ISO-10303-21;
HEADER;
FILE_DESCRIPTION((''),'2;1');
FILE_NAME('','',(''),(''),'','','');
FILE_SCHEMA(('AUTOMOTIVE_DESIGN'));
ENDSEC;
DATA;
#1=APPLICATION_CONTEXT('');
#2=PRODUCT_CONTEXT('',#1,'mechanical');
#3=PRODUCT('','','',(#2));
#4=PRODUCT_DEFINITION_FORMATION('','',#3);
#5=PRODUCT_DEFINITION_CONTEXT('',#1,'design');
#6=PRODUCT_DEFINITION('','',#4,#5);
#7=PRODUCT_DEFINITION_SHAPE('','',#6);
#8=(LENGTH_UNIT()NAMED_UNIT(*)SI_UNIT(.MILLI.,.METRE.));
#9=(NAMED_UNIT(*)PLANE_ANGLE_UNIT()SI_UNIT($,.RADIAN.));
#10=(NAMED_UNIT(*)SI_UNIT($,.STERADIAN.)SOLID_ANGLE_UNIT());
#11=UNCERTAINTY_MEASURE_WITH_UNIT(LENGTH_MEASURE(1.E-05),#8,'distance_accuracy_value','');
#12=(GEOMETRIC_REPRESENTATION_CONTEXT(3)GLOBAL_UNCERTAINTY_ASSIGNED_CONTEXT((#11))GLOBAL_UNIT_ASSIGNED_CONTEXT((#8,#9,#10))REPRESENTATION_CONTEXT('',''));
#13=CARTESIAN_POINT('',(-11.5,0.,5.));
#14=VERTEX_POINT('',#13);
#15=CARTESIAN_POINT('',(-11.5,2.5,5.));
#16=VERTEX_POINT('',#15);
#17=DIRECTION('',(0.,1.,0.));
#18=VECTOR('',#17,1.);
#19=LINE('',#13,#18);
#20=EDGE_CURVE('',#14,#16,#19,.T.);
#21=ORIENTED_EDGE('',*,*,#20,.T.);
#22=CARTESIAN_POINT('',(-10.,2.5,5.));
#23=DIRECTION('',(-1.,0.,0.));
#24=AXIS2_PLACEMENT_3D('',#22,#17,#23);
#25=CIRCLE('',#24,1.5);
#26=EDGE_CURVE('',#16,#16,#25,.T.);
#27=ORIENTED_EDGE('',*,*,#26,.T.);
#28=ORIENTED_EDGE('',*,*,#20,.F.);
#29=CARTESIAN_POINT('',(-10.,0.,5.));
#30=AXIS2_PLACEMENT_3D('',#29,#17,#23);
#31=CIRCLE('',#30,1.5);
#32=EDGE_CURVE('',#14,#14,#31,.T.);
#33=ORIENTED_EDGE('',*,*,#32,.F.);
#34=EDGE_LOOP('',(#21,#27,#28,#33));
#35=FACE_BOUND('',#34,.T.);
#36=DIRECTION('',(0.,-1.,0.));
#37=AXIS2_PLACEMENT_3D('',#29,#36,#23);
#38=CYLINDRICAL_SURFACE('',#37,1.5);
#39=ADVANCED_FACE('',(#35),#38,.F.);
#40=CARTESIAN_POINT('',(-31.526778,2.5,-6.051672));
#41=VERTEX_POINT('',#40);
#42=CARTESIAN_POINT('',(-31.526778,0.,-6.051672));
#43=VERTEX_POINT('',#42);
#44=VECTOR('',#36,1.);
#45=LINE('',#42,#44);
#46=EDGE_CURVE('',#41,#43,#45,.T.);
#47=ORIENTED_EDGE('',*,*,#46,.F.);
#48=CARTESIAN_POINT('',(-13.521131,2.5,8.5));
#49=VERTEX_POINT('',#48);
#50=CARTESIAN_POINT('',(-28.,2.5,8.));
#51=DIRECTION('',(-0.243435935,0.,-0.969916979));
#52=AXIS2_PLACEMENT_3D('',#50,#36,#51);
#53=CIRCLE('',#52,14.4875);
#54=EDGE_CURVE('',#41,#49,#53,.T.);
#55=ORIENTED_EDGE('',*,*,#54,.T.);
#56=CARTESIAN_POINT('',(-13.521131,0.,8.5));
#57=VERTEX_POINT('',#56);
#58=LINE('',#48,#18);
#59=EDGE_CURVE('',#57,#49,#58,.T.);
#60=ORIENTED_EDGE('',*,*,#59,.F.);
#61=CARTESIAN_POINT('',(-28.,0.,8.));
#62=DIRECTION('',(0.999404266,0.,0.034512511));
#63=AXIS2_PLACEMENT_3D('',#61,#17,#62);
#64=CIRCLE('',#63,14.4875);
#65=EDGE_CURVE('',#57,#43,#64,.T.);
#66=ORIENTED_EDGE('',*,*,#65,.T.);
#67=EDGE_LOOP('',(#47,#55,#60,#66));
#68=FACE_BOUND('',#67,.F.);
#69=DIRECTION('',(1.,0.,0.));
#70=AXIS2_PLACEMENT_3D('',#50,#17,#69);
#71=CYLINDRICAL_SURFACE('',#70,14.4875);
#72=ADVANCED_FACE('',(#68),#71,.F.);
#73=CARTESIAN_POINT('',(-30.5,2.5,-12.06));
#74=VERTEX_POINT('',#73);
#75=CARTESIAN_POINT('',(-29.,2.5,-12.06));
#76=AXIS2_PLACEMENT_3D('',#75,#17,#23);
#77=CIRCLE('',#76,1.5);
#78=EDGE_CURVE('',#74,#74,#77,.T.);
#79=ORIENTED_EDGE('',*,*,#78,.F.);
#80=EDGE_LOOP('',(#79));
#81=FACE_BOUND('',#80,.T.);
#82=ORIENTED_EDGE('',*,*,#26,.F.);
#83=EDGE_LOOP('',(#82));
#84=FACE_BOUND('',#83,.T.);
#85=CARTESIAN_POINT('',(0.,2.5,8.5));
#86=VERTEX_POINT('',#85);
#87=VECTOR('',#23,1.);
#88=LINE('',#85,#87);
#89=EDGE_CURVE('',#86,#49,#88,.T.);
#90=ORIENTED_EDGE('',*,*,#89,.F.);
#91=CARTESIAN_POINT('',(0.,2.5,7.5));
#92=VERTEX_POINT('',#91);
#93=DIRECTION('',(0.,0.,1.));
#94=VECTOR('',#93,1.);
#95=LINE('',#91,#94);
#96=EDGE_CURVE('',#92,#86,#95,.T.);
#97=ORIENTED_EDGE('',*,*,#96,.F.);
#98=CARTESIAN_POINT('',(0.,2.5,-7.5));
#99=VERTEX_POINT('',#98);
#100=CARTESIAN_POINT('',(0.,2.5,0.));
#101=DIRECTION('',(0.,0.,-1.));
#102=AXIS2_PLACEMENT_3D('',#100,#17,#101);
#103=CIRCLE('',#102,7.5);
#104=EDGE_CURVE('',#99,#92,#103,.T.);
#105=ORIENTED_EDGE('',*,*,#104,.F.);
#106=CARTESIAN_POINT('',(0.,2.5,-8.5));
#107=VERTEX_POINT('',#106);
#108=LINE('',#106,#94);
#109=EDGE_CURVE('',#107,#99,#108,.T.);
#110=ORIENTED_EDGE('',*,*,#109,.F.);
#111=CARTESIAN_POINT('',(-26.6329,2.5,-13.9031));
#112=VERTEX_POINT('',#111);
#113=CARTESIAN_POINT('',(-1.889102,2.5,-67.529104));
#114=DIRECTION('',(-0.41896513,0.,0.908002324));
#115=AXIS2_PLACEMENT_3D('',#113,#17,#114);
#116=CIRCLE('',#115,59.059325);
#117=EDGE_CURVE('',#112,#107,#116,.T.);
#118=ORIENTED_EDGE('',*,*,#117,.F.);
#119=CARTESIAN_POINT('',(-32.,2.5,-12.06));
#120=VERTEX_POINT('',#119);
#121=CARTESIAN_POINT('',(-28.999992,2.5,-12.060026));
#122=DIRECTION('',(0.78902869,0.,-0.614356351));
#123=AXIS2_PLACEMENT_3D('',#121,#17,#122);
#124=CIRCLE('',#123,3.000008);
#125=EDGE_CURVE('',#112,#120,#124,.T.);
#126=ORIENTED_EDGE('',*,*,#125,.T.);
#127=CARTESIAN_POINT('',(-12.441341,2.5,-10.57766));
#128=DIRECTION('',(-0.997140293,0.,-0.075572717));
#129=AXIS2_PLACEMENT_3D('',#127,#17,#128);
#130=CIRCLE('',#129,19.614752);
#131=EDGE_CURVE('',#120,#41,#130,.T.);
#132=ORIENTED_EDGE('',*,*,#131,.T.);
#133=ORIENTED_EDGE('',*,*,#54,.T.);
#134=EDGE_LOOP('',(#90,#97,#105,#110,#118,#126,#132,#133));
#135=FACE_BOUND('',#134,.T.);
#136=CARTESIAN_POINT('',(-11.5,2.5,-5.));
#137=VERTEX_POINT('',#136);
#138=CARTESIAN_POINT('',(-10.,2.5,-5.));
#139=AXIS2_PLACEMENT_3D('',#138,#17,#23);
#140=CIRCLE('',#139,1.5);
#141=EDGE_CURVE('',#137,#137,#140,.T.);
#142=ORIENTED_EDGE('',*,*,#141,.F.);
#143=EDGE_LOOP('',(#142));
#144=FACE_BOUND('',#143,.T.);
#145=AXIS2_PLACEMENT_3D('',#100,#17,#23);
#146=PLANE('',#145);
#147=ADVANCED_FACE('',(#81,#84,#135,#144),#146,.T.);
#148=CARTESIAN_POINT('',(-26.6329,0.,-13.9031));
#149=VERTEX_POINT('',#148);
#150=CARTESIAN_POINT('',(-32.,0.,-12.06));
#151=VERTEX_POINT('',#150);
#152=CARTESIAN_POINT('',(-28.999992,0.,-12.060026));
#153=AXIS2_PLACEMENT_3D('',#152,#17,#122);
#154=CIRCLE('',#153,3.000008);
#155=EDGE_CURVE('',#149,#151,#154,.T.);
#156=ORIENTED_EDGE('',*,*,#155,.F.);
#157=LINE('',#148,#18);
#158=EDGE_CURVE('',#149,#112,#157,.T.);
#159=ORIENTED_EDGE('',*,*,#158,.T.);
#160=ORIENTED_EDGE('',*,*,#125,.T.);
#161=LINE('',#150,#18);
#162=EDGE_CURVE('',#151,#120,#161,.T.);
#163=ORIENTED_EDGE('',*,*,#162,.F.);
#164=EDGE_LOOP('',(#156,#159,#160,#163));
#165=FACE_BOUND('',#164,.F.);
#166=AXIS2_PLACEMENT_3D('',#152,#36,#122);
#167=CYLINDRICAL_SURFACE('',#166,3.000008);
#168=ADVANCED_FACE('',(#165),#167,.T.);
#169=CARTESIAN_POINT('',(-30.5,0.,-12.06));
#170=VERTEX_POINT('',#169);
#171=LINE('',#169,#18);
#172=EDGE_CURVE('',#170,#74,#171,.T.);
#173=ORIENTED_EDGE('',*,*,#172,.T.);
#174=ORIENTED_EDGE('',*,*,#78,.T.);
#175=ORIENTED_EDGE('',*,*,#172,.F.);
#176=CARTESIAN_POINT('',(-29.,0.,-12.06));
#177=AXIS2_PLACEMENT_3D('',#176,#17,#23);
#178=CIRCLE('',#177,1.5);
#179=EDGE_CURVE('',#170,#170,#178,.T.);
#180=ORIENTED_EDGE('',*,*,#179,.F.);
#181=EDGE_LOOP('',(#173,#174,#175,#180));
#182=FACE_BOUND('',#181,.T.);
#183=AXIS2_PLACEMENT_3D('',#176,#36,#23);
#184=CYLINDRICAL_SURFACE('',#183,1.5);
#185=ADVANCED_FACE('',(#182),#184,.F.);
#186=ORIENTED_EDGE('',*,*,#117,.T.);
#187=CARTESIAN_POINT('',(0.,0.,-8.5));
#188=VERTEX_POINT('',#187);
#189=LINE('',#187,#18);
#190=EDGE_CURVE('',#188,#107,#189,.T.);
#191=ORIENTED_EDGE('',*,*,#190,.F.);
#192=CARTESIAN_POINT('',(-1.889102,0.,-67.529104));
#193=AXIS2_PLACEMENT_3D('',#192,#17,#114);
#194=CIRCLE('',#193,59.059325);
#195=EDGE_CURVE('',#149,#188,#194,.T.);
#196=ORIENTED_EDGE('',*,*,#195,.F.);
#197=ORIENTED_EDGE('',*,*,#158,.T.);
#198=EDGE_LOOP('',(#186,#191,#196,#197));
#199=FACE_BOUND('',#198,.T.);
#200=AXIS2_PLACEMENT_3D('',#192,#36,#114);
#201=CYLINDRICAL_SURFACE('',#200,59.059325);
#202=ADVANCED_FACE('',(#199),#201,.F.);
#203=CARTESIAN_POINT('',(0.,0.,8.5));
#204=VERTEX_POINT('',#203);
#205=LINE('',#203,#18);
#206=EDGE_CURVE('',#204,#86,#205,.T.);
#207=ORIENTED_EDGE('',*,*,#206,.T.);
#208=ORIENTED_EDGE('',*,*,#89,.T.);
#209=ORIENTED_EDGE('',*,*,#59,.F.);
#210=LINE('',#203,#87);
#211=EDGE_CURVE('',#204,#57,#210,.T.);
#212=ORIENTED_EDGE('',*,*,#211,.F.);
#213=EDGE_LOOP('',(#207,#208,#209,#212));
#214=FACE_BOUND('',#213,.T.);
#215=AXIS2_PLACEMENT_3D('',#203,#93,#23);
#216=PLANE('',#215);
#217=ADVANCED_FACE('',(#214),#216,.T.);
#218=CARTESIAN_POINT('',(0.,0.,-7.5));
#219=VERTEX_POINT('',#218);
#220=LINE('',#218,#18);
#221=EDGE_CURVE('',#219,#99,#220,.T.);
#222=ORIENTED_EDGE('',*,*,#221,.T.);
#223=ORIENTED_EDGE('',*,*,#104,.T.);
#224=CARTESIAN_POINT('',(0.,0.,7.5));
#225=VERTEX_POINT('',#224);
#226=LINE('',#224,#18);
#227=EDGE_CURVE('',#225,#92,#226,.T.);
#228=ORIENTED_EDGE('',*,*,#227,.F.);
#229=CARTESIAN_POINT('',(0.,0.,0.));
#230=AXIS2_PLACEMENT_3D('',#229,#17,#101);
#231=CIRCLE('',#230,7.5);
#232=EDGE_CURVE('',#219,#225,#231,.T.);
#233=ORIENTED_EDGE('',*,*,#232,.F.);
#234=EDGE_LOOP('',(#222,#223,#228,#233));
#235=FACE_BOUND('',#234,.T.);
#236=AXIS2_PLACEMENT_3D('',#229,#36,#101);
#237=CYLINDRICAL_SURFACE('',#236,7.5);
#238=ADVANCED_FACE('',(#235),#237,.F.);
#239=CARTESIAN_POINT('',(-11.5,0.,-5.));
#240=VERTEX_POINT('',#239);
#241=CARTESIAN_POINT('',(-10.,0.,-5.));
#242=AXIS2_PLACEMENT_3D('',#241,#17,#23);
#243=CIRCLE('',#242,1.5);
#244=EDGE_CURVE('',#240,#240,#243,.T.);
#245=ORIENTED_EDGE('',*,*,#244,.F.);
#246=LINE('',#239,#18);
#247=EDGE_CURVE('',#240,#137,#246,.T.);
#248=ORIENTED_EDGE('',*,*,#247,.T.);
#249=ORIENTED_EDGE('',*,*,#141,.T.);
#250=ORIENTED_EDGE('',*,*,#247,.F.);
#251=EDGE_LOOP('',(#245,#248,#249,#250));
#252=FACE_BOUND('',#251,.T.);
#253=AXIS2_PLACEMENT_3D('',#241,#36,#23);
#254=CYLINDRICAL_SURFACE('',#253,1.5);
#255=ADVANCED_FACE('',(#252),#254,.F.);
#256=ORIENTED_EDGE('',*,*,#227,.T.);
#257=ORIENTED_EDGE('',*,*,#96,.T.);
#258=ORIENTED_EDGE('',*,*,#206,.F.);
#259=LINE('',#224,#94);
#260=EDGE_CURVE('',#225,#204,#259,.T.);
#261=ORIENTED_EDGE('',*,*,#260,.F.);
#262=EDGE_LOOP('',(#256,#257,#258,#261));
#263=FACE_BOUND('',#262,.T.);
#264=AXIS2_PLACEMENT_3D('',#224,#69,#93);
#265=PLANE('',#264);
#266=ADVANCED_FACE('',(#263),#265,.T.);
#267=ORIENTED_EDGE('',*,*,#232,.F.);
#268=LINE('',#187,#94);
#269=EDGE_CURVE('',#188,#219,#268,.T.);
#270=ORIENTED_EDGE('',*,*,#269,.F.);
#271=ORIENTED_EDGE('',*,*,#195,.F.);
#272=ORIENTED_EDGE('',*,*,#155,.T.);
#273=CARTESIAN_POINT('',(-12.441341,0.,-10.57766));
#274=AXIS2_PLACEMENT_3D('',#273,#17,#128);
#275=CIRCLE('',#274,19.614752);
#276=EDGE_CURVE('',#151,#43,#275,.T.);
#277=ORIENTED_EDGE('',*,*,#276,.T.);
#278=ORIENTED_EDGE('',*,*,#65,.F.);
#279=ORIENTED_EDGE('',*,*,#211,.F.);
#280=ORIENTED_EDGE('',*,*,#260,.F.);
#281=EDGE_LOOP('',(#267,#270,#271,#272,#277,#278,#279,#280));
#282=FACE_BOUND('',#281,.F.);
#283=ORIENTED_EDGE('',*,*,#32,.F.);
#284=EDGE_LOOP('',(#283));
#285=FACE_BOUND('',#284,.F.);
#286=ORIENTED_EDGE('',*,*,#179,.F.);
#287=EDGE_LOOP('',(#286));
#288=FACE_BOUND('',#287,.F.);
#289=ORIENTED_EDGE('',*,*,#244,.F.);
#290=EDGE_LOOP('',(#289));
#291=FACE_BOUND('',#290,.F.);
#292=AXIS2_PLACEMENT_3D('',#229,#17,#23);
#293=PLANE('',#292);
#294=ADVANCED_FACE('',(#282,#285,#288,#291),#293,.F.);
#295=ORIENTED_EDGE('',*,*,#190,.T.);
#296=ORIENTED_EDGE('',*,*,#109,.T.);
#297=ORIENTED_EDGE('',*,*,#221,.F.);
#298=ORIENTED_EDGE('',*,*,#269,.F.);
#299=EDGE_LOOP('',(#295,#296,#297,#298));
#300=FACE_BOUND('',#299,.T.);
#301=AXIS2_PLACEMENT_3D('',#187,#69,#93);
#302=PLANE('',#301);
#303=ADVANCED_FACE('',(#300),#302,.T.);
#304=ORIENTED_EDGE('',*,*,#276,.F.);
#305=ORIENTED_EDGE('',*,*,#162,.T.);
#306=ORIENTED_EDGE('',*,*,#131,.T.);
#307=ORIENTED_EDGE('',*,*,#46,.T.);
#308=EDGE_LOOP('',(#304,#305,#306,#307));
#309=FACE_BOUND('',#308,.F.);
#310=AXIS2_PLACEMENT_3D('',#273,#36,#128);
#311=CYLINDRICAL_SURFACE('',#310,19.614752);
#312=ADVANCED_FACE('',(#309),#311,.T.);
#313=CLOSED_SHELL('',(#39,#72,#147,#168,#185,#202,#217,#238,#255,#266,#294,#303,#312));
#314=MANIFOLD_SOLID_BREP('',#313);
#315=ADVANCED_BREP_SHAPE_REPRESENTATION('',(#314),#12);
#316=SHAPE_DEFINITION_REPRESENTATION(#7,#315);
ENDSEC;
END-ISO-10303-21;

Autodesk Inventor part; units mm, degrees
ref_plane "YZ Plane" through (0, 0, 0) normal (1, 0, 0) x (0, 1, 0)
ref_plane "XZ Plane" through (0, 0, 0) normal (0, 1, 0) x (-1, 0, 0)
ref_plane "XY Plane" through (0, 0, 0) normal (0, 0, 1) x (1, 0, 0)
sketch "Sketch1" plane through (0, 0, 0) normal (0, 1, 0) x (-1, 0, 0)
  arc A0 (0, -7.5) -> (0, 7.5) centre (0, 0) ccw
  line L0 (0, 8.5) -> (17, 8.5)
  line L1 (17, 8.5) -> (17, -8.5) construction
  line L2 (17, -8.5) -> (0, -8.5) construction
  line L3 (0, 0) -> (10, 0) construction
  line L4 (10, 0) -> (10, -5) construction
  line L5 (10, -5) -> (0, -5) construction
  line L6 (0, -5) -> (0, 0) construction
  line L7 (0, 0) -> (10, 0) construction
  line L8 (10, 0) -> (10, 5) construction
  line L9 (10, 5) -> (0, 5) construction
  line L10 (0, 5) -> (0, 0) construction
  circle A1 centre (10, -5) radius 1.5
  circle A2 centre (10, 5) radius 1.5
  line L11 (0, -8.5) -> (0, -7.5)
  line L12 (0, 7.5) -> (0, 8.5)
  line L13 (11.5, -5) -> (32, -5) construction
  line L14 (32, -5) -> (32, 5) construction
  line L15 (32, 5) -> (11.5, 5) construction
  line L16 (11.5, 5) -> (11.5, -5) construction
  circle A3 centre (29, -12.06) radius 1.5
  arc A4 (26.6329, -13.9031) -> (32, -12.06) centre (29, -12.06) ccw
  arc A5 (32, -12.06) -> (17, 8.5) centre (12.4412, -10.5777) ccw
  arc A6 (26.6329, -13.9031) -> (0, -8.5) centre (1.8893, -67.5285) ccw
  dimension "d9" = 3
  dimension "d0" = 15
  dimension "d2" = 17
  dimension "d3" = 17
  dimension "d4" = 8.5
  dimension "d5" = 10
  dimension "d6" = 5
  dimension "d7" = 10
  dimension "d8" = 5
  dimension "d10" = 3
  dimension "d13" = 20.5
  dimension "d14" = 7.06
  dimension "d15" = 3
  dimension "d16" = 3
  dimension "d17" = 6
extrude "Extrusion2" add sketch "Sketch1" along normal blind 2.5
sketch "Sketch2" plane through (0, 2.5, 0) normal (0, 1, 0) x (1, 0, 0)
  circle A0 centre (-28, -8) radius 14.4875
  point P0 (0, 0)
  dimension "d20" = 28
  dimension "d21" = 8
extrude "Extrusion3" cut sketch "Sketch2" against normal through all
properties part number "RCT-H111_upper_link_mount"
